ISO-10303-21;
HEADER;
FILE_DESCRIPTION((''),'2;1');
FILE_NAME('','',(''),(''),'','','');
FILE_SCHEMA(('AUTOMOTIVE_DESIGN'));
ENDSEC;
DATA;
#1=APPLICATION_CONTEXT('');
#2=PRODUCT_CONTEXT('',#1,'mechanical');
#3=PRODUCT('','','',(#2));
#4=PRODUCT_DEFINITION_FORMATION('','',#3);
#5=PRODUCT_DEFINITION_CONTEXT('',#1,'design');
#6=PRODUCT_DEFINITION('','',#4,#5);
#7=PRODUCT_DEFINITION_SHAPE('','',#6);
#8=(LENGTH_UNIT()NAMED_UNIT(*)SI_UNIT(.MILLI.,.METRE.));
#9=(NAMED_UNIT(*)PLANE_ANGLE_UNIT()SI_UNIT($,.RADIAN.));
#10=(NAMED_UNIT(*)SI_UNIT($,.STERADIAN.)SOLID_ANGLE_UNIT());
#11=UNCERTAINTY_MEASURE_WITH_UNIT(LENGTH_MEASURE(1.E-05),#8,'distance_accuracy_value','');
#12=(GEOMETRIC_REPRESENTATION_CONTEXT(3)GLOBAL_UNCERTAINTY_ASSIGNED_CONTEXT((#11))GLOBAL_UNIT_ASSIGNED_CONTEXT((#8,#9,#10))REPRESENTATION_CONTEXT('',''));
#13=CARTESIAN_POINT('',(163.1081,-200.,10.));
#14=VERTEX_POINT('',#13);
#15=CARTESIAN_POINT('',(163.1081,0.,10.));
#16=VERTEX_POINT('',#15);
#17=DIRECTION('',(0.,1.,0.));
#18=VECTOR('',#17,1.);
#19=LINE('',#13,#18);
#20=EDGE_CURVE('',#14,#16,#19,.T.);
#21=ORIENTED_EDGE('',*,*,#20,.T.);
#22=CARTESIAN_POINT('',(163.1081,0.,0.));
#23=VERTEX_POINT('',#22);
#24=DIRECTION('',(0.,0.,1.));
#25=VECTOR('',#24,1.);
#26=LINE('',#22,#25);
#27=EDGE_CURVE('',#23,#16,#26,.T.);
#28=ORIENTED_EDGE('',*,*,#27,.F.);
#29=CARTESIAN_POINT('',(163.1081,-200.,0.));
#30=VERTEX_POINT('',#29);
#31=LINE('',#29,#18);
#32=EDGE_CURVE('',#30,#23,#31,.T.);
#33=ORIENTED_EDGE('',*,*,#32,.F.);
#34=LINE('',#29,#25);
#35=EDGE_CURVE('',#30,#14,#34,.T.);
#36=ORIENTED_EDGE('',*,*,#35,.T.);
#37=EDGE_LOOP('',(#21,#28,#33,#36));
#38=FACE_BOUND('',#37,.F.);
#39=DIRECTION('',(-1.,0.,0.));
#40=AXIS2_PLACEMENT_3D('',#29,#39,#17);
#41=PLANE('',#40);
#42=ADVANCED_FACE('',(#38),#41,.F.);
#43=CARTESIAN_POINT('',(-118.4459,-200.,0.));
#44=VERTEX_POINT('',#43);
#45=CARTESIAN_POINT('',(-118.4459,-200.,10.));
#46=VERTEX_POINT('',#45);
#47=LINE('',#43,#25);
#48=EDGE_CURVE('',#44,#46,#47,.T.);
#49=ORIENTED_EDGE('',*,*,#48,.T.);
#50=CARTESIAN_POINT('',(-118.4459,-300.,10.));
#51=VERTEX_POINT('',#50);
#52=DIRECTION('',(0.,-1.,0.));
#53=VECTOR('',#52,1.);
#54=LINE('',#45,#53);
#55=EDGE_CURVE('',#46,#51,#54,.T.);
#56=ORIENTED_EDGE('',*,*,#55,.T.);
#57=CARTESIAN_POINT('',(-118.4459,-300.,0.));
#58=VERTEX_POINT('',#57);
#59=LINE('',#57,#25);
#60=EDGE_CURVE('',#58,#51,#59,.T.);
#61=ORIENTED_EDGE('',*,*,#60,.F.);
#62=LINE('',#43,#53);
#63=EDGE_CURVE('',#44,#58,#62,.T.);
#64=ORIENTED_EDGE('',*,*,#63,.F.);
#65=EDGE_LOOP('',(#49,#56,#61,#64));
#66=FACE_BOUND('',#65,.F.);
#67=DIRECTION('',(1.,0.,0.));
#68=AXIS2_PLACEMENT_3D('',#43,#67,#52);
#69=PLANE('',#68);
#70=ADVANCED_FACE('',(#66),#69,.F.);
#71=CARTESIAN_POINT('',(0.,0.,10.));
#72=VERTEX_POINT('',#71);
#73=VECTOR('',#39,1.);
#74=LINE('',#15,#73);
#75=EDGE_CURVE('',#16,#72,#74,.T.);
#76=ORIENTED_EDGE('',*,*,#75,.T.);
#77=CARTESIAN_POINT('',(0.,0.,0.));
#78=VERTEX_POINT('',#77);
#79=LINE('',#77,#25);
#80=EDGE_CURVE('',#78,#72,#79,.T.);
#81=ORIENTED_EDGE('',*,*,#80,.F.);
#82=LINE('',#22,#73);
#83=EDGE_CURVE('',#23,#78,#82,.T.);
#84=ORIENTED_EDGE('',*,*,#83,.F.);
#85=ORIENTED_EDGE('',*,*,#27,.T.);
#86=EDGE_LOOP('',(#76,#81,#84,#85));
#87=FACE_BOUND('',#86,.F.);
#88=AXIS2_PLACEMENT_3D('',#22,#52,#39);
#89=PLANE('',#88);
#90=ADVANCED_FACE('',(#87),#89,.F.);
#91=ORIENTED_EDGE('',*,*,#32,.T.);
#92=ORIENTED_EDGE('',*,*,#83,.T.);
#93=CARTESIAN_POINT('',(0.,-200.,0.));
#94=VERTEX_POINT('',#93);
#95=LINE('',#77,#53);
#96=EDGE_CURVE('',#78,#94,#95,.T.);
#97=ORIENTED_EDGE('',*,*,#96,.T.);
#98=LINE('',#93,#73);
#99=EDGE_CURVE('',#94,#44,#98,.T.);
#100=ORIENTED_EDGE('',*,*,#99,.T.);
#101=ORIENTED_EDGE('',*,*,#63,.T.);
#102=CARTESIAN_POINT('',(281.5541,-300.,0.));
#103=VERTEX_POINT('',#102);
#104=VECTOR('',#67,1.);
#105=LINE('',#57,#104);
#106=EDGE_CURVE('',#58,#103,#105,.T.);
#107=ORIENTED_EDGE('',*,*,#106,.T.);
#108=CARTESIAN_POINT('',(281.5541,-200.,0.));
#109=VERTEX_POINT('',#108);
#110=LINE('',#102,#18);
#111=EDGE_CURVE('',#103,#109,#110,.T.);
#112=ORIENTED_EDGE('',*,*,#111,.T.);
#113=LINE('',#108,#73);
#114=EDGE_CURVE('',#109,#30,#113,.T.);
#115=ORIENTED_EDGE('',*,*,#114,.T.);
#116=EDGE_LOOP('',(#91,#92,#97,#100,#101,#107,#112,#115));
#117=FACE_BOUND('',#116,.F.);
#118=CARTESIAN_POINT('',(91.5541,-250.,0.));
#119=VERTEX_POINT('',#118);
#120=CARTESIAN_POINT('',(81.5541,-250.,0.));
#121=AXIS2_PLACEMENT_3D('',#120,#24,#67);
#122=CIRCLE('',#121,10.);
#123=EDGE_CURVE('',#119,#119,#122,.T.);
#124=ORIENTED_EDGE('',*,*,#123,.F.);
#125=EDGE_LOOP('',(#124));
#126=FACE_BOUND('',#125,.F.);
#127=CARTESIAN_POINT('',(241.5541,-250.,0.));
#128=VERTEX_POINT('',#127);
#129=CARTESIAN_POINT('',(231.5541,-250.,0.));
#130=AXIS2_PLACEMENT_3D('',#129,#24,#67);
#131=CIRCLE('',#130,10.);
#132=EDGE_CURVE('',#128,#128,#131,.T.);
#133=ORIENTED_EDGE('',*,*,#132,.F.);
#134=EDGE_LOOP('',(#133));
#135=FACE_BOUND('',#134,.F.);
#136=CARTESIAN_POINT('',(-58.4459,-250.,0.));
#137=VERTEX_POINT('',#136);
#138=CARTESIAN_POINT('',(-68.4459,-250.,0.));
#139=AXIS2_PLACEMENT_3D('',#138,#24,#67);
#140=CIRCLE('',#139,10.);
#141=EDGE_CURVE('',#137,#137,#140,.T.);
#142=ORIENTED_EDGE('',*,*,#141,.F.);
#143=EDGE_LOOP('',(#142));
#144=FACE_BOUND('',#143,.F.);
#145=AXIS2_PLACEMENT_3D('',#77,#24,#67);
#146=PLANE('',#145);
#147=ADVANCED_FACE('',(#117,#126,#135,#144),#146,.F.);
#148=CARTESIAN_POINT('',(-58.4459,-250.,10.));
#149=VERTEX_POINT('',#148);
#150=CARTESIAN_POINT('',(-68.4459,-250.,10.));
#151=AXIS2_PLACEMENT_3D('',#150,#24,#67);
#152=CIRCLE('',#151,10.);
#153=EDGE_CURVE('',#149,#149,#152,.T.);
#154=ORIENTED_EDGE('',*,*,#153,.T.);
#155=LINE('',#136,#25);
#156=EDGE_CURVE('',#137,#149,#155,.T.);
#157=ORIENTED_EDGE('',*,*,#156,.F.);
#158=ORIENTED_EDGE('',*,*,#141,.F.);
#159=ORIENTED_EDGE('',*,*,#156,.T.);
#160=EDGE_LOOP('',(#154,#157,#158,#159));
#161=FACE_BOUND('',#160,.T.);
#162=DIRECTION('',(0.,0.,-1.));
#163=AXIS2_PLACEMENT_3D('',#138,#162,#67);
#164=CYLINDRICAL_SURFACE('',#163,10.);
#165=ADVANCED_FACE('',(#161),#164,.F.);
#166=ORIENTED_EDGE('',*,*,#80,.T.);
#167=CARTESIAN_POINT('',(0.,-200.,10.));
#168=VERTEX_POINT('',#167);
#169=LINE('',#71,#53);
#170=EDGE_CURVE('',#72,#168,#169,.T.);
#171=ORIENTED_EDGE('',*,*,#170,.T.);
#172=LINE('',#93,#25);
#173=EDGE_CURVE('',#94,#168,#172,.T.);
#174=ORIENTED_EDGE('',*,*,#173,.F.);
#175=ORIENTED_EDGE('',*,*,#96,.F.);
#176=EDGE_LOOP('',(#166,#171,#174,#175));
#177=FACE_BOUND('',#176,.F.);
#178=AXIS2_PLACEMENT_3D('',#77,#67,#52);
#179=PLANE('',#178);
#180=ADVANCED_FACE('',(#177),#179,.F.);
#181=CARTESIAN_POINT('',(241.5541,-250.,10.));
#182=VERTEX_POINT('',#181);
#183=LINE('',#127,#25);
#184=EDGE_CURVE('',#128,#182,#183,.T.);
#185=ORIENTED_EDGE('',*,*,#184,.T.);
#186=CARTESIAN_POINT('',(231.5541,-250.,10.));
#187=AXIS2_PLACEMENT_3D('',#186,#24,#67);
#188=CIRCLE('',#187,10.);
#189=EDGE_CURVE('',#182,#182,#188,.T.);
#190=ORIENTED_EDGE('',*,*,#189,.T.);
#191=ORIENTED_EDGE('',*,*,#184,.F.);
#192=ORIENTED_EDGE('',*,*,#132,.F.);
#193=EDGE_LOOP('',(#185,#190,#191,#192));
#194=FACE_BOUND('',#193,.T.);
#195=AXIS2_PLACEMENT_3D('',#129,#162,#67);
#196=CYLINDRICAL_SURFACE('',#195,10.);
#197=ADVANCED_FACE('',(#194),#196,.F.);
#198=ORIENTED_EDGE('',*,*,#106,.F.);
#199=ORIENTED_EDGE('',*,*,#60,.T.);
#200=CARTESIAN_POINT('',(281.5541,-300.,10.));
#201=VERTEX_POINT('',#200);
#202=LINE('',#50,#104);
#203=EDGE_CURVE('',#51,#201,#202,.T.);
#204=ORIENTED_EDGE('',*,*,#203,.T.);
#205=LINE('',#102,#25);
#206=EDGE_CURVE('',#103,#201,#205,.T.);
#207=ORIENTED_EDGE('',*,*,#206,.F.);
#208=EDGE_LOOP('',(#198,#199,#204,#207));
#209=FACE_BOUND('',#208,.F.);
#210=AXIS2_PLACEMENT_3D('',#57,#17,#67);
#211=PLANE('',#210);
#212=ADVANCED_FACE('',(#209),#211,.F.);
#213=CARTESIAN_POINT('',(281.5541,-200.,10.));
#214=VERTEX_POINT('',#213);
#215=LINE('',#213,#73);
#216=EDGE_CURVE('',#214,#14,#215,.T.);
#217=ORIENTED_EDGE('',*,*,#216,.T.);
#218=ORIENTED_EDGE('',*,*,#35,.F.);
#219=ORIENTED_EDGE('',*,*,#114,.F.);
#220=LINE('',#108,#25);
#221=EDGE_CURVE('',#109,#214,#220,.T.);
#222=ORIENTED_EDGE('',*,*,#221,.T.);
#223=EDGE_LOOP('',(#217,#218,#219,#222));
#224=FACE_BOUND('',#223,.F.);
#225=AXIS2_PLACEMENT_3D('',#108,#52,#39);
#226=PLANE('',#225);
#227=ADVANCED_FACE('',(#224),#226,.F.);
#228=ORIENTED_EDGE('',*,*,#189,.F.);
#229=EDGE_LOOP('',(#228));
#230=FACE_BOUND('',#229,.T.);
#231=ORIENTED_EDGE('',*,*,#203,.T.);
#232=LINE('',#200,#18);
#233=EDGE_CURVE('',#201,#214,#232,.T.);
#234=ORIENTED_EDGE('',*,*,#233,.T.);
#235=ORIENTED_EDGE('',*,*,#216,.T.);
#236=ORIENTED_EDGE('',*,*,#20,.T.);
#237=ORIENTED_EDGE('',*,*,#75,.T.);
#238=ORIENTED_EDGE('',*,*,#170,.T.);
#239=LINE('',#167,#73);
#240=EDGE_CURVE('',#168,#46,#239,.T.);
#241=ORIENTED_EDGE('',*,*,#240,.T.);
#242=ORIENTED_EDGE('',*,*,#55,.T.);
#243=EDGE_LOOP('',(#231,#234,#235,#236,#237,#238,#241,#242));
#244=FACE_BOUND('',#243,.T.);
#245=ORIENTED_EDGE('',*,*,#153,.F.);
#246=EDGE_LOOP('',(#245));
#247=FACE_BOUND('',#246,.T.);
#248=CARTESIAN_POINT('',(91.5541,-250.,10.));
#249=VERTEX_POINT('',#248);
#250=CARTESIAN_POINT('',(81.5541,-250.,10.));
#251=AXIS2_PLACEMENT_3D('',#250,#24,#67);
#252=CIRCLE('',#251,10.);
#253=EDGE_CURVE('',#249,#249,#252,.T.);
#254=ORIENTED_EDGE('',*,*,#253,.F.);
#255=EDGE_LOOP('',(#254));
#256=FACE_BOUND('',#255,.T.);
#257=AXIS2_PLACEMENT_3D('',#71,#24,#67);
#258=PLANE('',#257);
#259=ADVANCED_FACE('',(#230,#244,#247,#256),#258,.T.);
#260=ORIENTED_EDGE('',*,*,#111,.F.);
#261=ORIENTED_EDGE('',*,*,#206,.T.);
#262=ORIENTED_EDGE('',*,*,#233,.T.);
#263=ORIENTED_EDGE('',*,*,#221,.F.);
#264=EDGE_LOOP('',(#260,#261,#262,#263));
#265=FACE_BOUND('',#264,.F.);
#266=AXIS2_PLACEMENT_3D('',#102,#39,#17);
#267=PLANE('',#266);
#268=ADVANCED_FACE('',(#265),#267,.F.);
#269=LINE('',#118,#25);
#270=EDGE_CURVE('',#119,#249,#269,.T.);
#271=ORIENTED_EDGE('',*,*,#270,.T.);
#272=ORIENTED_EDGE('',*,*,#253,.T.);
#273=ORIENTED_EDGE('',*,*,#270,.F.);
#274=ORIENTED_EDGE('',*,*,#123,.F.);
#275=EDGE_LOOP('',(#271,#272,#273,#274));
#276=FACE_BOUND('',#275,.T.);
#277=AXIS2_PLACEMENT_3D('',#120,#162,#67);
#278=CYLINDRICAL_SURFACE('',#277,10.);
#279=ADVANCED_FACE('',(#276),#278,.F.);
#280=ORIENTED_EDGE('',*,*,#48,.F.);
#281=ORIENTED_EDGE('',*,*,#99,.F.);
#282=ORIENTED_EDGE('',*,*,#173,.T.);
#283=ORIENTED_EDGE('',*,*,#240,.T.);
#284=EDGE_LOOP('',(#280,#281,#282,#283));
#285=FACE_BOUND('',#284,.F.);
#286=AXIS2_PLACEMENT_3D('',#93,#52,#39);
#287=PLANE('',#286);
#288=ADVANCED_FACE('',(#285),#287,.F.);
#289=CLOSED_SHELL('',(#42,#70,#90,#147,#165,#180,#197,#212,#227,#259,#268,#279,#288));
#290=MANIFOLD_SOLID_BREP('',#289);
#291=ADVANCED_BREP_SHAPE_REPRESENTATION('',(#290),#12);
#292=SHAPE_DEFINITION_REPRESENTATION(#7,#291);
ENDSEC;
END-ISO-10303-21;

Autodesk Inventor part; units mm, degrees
ref_plane "YZ Plane" through (0, 0, 0) normal (1, 0, 0) x (0, 1, 0)
ref_plane "XZ Plane" through (0, 0, 0) normal (0, 1, 0) x (-1, 0, 0)
ref_plane "XY Plane" through (0, 0, 0) normal (0, 0, 1) x (1, 0, 0)
sketch "Skizze1" plane through (0, 0, 0) normal (0, 0, 1) x (1, 0, 0)
  line L0 (163.1081, -200) -> (163.1081, 0)
  line L1 (163.1081, 0) -> (0, 0)
  line L2 (0, 0) -> (0, -200)
  line L3 (0, -200) -> (-118.4459, -200)
  line L4 (-118.4459, -200) -> (-118.4459, -300)
  line L5 (-118.4459, -300) -> (281.5541, -300)
  line L6 (281.5541, -300) -> (281.5541, -200)
  line L7 (281.5541, -200) -> (163.1081, -200)
  circle A0 centre (231.5541, -250) radius 10
  circle A1 centre (-68.4459, -250) radius 10
  circle A2 centre (81.5541, -250) radius 10
  dimension "d0" = 20
  dimension "d1" = 90
  dimension "d2" = 118.4459
  dimension "d3" = 281.5541
  dimension "d4" = 400
  dimension "d5" = 200
  dimension "d6" = 100
  dimension "d7" = 281.5541
  dimension "d8" = 200
  dimension "d9" = 200
  dimension "d10" = 0
  dimension "d11" = 0
  dimension "d12" = 100
  dimension "d13" = 0
  dimension "d14" = 50
  dimension "d15" = 50
  dimension "d16" = 200
  dimension "d17" = 118.4459
  dimension "d18" = 0
  dimension "d19" = 118.4459
  dimension "d20" = 200
  dimension "d21" = 50
  dimension "d22" = 200
  dimension "d23" = 281.5541
  dimension "d24" = 0
  dimension "d25" = 281.5541
  dimension "d26" = 350
  dimension "d27" = 50
  dimension "d28" = 0
  dimension "d29" = 400
  dimension "d30" = 100
  dimension "d31" = 400
extrude "Extrusion1" add sketch "Skizze1" along normal blind 10
properties part number "aussenOben"
